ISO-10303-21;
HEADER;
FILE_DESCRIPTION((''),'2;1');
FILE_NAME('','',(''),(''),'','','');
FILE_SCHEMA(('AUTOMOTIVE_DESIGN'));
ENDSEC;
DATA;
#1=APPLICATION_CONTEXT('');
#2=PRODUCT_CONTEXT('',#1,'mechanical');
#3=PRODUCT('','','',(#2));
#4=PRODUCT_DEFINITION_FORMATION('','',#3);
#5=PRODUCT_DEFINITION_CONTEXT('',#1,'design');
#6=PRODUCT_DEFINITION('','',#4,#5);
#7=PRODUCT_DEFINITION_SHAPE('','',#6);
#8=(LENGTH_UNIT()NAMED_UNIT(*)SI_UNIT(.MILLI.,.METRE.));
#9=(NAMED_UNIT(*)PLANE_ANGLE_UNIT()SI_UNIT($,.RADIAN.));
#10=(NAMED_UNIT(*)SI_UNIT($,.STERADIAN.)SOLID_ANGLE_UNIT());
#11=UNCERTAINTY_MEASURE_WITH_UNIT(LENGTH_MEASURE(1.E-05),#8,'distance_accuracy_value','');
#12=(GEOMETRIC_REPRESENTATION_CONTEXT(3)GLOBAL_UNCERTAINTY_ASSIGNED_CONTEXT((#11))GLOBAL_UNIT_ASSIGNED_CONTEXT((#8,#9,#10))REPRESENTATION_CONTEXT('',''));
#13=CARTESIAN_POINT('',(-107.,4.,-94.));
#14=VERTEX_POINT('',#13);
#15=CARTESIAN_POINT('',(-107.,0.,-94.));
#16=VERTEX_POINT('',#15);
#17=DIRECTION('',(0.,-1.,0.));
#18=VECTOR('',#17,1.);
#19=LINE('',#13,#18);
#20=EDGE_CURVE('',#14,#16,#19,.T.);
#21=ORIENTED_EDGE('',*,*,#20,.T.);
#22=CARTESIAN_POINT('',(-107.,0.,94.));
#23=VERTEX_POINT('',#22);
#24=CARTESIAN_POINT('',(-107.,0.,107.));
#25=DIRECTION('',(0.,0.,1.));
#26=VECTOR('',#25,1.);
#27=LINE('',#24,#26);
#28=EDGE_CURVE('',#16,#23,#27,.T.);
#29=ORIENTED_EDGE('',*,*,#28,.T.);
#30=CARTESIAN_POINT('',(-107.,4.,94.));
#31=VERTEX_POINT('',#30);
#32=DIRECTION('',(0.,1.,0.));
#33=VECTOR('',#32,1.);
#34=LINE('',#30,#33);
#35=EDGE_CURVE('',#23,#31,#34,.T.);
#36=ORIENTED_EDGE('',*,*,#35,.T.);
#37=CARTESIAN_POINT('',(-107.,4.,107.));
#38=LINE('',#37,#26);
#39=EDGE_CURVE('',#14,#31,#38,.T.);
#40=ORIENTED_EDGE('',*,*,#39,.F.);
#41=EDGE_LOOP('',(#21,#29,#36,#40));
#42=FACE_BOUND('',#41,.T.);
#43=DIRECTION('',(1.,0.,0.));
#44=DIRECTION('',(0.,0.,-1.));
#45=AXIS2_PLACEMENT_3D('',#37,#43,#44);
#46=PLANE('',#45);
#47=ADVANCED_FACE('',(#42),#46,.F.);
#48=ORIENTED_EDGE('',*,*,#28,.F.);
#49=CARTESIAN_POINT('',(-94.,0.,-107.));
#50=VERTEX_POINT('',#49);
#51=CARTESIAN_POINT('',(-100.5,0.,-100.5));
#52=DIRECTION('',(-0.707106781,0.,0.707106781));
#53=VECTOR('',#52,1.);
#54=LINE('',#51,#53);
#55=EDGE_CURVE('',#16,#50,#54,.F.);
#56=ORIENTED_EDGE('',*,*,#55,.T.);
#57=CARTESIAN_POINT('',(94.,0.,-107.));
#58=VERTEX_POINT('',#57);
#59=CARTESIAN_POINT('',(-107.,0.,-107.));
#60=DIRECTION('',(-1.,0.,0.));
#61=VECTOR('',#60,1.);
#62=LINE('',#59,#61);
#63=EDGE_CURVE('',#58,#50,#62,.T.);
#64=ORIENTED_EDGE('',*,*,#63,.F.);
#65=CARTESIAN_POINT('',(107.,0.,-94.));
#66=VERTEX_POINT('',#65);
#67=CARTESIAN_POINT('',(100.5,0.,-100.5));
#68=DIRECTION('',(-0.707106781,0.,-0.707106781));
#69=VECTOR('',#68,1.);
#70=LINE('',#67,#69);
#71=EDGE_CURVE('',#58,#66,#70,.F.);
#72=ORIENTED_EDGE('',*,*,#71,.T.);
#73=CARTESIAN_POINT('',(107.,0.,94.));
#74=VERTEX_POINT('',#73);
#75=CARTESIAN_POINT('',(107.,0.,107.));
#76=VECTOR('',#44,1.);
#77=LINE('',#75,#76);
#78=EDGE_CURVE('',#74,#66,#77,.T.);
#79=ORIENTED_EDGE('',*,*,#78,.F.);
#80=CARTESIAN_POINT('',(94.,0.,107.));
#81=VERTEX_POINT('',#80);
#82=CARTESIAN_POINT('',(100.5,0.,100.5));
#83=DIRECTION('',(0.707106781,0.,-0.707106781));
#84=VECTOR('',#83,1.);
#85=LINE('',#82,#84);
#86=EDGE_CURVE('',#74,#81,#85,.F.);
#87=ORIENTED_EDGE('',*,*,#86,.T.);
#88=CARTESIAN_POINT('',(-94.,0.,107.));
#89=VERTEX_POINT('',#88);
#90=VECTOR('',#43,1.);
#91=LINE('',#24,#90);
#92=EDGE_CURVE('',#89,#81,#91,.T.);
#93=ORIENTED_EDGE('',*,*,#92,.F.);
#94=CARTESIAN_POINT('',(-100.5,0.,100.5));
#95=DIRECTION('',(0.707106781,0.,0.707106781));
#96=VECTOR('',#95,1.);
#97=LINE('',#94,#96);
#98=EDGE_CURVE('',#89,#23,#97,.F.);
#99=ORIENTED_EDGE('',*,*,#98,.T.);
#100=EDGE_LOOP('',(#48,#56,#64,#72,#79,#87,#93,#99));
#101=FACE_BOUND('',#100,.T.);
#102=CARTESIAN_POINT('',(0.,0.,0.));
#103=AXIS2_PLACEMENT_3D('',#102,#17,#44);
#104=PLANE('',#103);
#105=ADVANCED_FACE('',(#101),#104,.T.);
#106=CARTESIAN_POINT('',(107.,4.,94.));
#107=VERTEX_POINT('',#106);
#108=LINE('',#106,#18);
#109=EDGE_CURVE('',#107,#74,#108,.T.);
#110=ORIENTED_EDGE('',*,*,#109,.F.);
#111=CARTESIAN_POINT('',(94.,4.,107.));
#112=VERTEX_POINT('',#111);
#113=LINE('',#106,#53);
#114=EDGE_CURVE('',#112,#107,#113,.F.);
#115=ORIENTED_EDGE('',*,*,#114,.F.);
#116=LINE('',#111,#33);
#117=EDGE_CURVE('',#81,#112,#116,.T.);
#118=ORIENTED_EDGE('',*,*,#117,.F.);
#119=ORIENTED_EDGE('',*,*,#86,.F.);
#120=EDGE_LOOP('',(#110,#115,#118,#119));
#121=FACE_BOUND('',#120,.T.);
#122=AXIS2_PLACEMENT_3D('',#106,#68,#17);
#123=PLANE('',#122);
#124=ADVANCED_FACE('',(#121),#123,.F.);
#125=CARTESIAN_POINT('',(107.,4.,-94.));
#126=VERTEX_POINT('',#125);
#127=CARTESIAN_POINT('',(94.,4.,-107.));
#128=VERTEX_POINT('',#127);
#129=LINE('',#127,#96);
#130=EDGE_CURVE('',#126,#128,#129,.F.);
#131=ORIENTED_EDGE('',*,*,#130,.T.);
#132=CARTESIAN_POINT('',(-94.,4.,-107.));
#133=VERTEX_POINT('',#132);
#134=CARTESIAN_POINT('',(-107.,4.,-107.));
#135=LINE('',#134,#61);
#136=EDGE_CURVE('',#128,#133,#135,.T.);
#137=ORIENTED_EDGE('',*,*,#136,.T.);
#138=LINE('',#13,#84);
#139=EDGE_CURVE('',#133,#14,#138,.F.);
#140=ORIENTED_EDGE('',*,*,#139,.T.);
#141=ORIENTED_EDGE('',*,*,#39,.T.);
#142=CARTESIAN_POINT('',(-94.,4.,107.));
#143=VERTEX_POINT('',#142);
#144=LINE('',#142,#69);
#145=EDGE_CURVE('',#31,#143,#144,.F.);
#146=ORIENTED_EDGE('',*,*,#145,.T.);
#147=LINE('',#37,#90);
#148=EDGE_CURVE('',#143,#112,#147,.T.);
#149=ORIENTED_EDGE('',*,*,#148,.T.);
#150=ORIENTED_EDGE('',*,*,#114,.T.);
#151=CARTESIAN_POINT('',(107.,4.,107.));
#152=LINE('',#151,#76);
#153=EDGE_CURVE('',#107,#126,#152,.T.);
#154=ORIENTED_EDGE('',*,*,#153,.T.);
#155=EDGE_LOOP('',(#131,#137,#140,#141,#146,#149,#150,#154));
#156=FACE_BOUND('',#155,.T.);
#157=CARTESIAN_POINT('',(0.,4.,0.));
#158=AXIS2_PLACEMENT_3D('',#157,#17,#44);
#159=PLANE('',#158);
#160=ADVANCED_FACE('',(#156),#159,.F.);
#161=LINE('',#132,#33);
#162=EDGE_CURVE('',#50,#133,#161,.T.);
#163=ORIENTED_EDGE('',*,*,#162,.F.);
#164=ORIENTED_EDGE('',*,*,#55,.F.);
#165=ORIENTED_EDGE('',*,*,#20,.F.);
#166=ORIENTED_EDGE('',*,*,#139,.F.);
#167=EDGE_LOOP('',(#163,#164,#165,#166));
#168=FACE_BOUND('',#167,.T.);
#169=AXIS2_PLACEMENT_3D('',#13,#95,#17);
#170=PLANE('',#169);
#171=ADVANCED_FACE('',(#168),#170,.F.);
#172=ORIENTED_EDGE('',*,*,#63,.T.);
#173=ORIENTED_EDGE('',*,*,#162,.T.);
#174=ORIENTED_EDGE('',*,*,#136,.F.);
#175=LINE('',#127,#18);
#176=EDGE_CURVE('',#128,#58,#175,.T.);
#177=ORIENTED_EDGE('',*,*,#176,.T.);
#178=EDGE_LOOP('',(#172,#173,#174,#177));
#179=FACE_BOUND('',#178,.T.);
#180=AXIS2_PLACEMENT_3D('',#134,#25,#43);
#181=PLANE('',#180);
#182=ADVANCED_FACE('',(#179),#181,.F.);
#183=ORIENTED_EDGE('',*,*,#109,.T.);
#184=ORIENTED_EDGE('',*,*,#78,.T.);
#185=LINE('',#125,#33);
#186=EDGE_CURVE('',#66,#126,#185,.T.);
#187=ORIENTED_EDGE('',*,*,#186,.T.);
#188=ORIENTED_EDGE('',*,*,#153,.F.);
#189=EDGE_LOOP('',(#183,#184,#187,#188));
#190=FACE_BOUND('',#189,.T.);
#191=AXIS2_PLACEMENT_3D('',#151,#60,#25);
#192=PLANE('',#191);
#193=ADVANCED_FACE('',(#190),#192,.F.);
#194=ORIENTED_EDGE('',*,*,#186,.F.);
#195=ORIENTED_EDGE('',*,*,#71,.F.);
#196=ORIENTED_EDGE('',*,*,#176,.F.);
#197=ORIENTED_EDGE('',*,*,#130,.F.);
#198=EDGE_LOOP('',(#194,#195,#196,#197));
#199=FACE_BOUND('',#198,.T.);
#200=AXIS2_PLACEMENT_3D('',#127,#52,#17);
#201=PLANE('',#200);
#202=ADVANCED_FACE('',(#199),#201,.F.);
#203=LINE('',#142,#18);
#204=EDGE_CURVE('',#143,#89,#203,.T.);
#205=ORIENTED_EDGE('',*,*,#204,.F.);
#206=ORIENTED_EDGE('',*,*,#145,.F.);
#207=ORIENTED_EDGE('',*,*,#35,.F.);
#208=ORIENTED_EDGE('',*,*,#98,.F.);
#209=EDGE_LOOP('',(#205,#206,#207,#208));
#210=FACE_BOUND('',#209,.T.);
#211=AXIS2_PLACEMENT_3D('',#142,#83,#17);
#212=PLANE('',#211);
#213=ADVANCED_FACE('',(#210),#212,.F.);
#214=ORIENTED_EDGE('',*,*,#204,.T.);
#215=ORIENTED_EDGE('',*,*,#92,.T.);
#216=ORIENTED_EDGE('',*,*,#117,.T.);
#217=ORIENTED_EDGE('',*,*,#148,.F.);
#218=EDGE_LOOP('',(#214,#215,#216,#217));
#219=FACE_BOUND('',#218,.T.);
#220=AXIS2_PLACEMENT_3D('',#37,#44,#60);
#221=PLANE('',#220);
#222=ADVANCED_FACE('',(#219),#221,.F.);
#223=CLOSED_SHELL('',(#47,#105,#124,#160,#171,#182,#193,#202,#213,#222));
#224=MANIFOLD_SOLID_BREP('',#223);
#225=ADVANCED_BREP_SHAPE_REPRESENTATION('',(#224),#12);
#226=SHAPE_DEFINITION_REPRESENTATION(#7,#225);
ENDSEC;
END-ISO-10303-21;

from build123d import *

# Parameters (mm, degrees)
SKETCH1_W           = 214
SKETCH1_H           = 214
BOSS_EXTRUDE1_DEPTH = 4
CHAMFER1_SIZE       = 13


with BuildPart() as part:
    # Sketch1 → Boss-Extrude1 (new body)
    with BuildSketch(Plane(origin=(0, 0, 0), x_dir=(1, 0, 0), z_dir=(0, 1, 0))):
        Rectangle(SKETCH1_W, SKETCH1_H)
    extrude(amount=BOSS_EXTRUDE1_DEPTH)

    # Chamfer1
    chamfer1_edges = [part.edges().sort_by_distance(p)[0] for p in [
        (107, 2, 107),
        (-107, 2, 107),
        (-107, 2, -107),
        (107, 2, -107),
    ]]
    chamfer(chamfer1_edges, length=CHAMFER1_SIZE)


solid = part.part
